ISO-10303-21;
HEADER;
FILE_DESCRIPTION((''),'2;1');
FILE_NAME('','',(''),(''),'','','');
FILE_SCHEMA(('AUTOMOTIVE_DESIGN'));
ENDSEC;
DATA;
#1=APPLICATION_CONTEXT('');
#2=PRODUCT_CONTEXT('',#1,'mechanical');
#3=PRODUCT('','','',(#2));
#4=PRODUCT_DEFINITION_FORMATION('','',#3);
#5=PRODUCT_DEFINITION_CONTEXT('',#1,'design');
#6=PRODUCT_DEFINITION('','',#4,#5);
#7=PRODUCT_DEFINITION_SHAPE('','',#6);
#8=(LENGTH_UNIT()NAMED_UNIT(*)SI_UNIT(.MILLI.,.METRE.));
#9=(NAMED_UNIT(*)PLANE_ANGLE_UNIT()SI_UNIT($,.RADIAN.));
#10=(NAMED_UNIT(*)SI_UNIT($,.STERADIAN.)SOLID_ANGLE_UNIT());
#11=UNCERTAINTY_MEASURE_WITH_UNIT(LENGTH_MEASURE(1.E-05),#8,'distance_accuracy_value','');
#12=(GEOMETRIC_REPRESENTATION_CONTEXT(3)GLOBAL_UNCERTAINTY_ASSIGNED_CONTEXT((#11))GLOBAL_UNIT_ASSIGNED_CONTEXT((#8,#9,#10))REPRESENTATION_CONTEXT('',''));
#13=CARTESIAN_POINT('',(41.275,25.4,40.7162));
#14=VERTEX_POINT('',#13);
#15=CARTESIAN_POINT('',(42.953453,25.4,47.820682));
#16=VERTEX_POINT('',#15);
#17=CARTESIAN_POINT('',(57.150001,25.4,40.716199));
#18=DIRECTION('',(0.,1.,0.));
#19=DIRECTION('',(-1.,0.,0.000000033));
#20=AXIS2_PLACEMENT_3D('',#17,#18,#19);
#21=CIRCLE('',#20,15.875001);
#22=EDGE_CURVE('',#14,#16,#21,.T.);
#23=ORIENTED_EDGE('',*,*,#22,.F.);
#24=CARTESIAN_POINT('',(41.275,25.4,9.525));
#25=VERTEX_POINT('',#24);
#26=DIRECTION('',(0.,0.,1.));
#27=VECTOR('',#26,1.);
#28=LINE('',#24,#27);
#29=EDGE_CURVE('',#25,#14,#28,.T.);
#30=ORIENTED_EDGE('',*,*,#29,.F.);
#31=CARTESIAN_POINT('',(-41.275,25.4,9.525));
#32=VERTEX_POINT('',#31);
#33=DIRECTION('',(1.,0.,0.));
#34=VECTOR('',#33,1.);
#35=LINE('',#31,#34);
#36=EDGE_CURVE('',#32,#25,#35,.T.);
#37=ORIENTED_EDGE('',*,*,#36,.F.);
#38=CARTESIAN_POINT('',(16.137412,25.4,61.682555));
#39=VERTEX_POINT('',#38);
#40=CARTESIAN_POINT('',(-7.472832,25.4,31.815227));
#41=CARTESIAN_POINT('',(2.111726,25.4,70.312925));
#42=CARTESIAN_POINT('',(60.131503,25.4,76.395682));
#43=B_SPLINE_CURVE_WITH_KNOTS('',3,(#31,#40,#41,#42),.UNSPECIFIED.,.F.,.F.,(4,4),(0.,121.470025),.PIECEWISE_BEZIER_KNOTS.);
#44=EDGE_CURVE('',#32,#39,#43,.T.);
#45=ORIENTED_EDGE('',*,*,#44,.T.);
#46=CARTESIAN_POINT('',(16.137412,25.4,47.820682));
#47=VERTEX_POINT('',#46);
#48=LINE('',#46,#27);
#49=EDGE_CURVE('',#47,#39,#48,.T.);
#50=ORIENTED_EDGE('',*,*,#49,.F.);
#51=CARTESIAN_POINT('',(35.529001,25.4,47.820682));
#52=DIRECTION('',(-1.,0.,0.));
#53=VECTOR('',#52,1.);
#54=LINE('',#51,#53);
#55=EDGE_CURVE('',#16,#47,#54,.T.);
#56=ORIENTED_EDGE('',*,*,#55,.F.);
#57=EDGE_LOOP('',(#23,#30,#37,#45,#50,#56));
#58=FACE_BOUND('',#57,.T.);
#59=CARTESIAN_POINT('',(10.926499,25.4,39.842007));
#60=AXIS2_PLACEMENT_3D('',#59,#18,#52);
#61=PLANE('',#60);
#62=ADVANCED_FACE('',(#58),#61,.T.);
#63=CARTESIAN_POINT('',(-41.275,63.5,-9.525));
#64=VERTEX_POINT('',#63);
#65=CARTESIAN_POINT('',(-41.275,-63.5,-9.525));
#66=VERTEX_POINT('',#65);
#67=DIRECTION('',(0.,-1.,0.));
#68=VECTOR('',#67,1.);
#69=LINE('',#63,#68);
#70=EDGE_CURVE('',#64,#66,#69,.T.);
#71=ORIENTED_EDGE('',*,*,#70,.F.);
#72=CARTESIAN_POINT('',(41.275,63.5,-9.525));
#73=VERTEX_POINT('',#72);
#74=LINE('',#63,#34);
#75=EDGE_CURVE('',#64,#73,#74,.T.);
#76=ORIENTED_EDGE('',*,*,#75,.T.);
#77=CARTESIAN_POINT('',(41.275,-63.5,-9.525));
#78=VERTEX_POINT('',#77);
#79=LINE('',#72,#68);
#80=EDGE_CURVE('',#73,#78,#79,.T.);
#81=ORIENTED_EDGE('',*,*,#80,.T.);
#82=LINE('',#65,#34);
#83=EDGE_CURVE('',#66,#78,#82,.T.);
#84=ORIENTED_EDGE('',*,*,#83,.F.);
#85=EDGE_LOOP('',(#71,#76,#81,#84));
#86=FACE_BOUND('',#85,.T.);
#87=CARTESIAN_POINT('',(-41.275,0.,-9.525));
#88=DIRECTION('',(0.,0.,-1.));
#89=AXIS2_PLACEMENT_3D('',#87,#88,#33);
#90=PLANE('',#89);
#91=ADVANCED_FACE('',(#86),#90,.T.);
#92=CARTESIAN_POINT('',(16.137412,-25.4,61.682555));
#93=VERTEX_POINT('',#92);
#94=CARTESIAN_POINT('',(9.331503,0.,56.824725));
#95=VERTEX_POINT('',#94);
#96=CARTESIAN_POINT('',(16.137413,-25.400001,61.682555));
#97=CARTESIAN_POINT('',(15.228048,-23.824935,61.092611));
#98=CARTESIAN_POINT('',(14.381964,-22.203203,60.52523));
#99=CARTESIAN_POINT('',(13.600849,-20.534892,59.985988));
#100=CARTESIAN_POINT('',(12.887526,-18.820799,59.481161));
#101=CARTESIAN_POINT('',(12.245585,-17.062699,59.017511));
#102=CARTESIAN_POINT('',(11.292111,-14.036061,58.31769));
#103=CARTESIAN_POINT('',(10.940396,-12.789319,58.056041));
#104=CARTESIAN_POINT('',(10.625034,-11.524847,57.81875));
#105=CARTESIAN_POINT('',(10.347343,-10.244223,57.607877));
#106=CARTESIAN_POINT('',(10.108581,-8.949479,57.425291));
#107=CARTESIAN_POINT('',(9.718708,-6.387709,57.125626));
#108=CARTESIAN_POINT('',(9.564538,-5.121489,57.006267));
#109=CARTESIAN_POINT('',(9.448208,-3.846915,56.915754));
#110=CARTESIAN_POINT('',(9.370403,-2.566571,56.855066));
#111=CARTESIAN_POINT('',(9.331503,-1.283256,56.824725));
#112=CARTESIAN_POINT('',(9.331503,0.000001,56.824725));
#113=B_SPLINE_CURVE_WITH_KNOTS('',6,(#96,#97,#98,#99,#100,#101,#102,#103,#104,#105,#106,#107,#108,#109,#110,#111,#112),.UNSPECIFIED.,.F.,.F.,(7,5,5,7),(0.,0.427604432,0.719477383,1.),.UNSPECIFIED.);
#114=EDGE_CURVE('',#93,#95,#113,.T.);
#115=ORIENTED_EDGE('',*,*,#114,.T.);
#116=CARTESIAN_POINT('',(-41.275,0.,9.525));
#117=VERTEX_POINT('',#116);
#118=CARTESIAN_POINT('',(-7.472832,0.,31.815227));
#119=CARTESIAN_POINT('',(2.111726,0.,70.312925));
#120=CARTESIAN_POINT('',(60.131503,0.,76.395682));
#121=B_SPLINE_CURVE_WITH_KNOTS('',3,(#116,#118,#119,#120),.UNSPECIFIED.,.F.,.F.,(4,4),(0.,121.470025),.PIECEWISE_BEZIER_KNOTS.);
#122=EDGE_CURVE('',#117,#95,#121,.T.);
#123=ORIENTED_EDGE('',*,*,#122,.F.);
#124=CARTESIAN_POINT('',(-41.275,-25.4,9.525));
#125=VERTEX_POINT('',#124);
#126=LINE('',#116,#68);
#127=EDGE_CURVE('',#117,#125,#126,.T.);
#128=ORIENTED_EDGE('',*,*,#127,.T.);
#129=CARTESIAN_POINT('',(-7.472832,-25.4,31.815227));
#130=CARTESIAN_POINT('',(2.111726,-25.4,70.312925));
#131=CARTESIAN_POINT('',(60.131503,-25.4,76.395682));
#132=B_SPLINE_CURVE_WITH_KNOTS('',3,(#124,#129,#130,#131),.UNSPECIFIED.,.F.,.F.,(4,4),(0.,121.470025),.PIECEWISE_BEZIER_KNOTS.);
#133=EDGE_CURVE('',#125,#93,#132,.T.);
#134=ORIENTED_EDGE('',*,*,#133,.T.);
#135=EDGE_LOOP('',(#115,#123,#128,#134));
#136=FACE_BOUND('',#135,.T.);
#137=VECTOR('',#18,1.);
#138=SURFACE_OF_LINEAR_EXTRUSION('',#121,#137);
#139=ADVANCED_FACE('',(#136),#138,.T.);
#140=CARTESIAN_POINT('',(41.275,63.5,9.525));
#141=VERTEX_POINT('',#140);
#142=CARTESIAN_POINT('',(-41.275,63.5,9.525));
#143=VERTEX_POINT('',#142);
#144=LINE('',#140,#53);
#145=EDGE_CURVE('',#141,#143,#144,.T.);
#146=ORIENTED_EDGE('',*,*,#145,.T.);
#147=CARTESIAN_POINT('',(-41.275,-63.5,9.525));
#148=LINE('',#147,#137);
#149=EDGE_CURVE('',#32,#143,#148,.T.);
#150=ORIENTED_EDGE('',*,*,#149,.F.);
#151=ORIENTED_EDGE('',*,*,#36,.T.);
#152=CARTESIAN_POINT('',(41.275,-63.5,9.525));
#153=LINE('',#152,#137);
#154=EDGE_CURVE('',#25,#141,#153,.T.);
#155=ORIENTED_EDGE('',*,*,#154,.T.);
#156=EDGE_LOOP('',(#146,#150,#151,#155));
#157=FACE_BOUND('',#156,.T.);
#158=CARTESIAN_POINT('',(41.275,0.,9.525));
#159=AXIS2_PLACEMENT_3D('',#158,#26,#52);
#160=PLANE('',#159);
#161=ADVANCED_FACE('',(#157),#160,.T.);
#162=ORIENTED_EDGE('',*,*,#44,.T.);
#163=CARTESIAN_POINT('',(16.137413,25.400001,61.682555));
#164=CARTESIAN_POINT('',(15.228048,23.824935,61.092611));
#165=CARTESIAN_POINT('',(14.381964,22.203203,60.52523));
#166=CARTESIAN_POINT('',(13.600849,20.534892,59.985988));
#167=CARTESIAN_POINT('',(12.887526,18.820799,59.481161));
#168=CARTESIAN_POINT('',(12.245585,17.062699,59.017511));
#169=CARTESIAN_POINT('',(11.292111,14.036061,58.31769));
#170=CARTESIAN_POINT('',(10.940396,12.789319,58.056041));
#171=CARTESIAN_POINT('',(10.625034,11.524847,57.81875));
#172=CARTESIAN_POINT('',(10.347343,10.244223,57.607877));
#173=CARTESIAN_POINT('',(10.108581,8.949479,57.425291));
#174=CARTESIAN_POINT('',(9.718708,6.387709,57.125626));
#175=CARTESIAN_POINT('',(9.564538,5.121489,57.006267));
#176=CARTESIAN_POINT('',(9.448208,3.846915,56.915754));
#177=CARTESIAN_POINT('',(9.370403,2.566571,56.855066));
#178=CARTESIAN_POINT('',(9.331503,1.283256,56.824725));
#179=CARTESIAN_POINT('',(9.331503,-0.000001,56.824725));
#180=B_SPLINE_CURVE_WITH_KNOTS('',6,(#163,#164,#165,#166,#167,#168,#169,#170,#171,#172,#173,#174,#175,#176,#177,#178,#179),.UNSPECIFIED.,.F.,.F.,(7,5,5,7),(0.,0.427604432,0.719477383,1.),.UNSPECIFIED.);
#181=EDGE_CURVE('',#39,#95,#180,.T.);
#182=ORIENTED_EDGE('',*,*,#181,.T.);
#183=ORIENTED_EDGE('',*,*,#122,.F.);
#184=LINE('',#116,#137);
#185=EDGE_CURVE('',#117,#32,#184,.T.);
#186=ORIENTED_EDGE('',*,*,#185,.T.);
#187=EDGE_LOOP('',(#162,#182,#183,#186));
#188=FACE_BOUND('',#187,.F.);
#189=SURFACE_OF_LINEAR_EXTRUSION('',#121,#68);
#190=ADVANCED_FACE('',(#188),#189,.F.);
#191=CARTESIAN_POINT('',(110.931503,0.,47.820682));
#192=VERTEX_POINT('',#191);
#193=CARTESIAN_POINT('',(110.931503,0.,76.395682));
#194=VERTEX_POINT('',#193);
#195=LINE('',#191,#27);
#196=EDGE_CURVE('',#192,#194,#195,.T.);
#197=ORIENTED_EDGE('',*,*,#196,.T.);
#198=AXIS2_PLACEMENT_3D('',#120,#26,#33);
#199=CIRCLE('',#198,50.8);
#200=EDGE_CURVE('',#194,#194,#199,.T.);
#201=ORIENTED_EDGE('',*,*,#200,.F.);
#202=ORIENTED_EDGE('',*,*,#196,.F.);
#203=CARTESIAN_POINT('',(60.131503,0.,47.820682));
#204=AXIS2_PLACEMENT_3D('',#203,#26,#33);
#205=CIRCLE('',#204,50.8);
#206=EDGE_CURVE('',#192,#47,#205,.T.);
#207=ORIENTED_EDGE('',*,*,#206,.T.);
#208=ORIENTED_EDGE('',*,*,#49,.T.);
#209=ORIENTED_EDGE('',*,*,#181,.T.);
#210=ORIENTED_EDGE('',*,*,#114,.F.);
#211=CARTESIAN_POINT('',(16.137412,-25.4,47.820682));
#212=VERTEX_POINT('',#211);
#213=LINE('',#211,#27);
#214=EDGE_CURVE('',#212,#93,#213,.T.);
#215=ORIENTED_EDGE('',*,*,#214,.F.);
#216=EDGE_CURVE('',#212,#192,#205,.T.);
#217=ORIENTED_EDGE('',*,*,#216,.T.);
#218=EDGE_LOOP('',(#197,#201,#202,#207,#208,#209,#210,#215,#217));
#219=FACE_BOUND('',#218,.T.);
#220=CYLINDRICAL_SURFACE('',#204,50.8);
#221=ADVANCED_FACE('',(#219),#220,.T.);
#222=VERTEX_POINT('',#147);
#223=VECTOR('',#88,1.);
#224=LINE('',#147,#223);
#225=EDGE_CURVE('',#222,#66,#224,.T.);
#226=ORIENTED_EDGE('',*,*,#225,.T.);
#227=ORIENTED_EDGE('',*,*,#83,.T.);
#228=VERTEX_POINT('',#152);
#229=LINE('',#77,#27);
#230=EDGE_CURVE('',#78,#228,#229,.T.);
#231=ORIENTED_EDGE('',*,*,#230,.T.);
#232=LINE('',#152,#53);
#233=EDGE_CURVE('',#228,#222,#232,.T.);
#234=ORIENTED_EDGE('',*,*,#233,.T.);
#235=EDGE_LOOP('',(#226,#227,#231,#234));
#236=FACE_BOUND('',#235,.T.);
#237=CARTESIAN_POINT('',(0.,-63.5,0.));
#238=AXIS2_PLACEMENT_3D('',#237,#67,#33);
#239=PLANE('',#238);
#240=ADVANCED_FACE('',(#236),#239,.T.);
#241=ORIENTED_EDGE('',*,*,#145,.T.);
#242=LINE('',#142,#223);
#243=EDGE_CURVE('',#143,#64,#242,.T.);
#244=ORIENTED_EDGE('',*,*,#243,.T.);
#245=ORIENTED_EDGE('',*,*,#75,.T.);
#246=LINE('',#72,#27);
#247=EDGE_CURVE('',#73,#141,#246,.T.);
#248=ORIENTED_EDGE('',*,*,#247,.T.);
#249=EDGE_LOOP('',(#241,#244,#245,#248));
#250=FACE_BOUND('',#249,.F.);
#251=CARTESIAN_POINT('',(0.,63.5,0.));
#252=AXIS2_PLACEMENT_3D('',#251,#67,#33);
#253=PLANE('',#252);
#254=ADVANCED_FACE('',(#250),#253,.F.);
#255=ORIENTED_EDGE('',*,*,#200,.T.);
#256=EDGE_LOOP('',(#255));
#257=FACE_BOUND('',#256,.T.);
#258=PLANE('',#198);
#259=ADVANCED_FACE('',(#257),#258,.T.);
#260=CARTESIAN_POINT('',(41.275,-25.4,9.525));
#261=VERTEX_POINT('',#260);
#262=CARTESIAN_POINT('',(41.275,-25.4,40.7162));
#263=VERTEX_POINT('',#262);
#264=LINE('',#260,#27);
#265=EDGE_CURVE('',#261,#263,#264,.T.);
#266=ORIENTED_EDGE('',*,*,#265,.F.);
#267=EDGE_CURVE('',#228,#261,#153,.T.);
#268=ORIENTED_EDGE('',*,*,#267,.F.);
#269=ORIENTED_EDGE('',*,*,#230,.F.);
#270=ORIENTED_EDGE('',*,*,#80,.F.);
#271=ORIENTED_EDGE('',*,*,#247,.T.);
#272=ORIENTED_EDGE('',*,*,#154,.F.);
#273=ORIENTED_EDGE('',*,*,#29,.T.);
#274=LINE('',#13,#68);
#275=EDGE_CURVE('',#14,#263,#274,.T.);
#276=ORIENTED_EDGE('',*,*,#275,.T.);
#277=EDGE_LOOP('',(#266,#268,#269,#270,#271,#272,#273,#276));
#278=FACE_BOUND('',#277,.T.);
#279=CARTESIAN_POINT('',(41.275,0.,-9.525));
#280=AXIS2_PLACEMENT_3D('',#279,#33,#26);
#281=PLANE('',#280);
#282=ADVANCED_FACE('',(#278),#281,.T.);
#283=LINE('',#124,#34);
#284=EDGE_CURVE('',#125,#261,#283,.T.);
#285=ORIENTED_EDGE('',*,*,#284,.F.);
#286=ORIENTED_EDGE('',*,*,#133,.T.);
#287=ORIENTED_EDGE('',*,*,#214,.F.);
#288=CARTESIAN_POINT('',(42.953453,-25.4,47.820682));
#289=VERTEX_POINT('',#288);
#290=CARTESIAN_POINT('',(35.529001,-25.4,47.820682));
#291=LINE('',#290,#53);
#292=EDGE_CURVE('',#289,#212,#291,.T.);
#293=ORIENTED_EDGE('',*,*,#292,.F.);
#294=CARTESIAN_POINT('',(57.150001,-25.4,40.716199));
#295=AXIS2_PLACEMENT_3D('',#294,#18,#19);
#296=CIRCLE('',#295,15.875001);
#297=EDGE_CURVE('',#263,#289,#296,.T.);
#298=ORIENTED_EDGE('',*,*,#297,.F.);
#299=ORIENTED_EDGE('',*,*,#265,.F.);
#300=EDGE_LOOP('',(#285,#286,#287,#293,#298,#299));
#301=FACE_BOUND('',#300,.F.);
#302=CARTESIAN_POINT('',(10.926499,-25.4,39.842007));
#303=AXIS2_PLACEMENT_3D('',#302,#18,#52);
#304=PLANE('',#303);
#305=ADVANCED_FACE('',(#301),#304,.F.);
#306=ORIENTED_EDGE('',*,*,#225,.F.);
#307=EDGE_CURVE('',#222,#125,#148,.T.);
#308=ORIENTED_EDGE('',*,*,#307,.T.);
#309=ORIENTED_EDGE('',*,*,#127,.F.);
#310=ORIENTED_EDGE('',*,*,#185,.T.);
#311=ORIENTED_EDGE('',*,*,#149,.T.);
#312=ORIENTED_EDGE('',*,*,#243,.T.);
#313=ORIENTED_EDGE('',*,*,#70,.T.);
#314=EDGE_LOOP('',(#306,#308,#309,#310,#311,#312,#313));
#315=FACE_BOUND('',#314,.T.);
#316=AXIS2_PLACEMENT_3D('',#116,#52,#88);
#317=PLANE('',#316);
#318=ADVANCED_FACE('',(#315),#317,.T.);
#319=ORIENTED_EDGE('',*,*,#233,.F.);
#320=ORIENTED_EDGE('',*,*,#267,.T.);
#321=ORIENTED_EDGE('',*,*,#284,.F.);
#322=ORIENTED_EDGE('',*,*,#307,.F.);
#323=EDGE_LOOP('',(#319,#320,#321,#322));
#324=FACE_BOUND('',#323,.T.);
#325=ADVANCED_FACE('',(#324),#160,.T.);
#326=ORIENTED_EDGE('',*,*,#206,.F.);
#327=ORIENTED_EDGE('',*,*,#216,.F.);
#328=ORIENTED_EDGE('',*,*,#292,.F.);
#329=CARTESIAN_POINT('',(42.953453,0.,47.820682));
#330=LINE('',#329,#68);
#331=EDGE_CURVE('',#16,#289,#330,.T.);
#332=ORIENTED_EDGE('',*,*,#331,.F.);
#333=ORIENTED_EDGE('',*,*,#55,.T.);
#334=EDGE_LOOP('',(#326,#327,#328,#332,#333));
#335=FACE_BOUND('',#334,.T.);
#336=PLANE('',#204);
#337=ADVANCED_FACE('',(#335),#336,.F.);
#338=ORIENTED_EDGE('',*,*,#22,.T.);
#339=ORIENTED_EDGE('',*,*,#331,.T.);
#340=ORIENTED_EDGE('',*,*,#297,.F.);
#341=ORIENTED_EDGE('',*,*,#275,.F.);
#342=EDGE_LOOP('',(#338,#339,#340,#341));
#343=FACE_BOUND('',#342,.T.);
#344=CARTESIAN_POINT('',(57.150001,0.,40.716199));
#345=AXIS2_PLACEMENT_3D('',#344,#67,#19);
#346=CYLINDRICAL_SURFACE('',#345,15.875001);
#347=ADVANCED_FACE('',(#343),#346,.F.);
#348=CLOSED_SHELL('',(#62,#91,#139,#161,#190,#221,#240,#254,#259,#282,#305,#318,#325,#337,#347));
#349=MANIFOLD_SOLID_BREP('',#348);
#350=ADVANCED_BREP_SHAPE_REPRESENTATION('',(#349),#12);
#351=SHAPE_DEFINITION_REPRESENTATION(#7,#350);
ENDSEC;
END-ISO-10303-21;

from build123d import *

# Parameters (mm, degrees)
F1_DEPTH = 63.5
F2_DEPTH = 25.4


with BuildPart() as f1:
    # F0 (on Front) → F1 (new body, symmetric)
    with BuildSketch(Plane.XZ):
        Polygon((22.225, 9.525), (-41.275, 9.525), (-41.275, -9.525), (41.275, -9.525), (41.275, 9.525), align=None)
    extrude(amount=F1_DEPTH, both=True)

    # F0 (on Front) → F2 (join, symmetric)
    with BuildSketch(Plane.XZ):
        with BuildLine():
            add(Edge.make_bspline(
                [(-41.275, 9.525), (-7.472832, 31.815227), (2.111726, 70.312925), (60.131503, 76.395682)],
                knots=[0, 0, 0, 0, 121.470025, 121.470025, 121.470025, 121.470025], degree=3))
            Line((-41.275, 9.525), (22.225, 9.525))
            Line((22.225, 9.525), (22.225, 40.7162))
            ThreePointArc((22.225, 40.7162), (32.454296, 65.411904), (57.15, 75.6412))
            Line((57.15, 75.6412), (60.131503, 75.6412))
            Line((60.131503, 75.6412), (60.131503, 76.395682))
        make_face()
        with BuildLine():
            Line((22.225, 40.7162), (22.225, 9.525))
            Line((22.225, 9.525), (41.275, 9.525))
            Line((41.275, 9.525), (41.275, 40.7162))
            ThreePointArc((41.275, 40.7162), (45.92468, 51.94152), (57.15, 56.5912))
            Line((57.15, 56.5912), (60.131503, 56.5912))
            Line((60.131503, 56.5912), (60.131503, 75.6412))
            Line((60.131503, 75.6412), (57.15, 75.6412))
            ThreePointArc((57.15, 75.6412), (32.454296, 65.411904), (22.225, 40.7162))
        make_face()
    extrude(amount=F2_DEPTH, both=True)

    # F0 (on Front) → F3 (revolve)
    with BuildSketch(Plane.XZ):
        Polygon((110.931503, 76.395682), (60.131503, 76.395682), (60.131503, 75.6412), (60.131503, 56.5912), (60.131503, 47.820682), (110.931503, 47.820682), align=None)
    revolve(axis=Axis((60.131503, 0, 62.108182), (0, 0, 1)))


solid = f1.part
